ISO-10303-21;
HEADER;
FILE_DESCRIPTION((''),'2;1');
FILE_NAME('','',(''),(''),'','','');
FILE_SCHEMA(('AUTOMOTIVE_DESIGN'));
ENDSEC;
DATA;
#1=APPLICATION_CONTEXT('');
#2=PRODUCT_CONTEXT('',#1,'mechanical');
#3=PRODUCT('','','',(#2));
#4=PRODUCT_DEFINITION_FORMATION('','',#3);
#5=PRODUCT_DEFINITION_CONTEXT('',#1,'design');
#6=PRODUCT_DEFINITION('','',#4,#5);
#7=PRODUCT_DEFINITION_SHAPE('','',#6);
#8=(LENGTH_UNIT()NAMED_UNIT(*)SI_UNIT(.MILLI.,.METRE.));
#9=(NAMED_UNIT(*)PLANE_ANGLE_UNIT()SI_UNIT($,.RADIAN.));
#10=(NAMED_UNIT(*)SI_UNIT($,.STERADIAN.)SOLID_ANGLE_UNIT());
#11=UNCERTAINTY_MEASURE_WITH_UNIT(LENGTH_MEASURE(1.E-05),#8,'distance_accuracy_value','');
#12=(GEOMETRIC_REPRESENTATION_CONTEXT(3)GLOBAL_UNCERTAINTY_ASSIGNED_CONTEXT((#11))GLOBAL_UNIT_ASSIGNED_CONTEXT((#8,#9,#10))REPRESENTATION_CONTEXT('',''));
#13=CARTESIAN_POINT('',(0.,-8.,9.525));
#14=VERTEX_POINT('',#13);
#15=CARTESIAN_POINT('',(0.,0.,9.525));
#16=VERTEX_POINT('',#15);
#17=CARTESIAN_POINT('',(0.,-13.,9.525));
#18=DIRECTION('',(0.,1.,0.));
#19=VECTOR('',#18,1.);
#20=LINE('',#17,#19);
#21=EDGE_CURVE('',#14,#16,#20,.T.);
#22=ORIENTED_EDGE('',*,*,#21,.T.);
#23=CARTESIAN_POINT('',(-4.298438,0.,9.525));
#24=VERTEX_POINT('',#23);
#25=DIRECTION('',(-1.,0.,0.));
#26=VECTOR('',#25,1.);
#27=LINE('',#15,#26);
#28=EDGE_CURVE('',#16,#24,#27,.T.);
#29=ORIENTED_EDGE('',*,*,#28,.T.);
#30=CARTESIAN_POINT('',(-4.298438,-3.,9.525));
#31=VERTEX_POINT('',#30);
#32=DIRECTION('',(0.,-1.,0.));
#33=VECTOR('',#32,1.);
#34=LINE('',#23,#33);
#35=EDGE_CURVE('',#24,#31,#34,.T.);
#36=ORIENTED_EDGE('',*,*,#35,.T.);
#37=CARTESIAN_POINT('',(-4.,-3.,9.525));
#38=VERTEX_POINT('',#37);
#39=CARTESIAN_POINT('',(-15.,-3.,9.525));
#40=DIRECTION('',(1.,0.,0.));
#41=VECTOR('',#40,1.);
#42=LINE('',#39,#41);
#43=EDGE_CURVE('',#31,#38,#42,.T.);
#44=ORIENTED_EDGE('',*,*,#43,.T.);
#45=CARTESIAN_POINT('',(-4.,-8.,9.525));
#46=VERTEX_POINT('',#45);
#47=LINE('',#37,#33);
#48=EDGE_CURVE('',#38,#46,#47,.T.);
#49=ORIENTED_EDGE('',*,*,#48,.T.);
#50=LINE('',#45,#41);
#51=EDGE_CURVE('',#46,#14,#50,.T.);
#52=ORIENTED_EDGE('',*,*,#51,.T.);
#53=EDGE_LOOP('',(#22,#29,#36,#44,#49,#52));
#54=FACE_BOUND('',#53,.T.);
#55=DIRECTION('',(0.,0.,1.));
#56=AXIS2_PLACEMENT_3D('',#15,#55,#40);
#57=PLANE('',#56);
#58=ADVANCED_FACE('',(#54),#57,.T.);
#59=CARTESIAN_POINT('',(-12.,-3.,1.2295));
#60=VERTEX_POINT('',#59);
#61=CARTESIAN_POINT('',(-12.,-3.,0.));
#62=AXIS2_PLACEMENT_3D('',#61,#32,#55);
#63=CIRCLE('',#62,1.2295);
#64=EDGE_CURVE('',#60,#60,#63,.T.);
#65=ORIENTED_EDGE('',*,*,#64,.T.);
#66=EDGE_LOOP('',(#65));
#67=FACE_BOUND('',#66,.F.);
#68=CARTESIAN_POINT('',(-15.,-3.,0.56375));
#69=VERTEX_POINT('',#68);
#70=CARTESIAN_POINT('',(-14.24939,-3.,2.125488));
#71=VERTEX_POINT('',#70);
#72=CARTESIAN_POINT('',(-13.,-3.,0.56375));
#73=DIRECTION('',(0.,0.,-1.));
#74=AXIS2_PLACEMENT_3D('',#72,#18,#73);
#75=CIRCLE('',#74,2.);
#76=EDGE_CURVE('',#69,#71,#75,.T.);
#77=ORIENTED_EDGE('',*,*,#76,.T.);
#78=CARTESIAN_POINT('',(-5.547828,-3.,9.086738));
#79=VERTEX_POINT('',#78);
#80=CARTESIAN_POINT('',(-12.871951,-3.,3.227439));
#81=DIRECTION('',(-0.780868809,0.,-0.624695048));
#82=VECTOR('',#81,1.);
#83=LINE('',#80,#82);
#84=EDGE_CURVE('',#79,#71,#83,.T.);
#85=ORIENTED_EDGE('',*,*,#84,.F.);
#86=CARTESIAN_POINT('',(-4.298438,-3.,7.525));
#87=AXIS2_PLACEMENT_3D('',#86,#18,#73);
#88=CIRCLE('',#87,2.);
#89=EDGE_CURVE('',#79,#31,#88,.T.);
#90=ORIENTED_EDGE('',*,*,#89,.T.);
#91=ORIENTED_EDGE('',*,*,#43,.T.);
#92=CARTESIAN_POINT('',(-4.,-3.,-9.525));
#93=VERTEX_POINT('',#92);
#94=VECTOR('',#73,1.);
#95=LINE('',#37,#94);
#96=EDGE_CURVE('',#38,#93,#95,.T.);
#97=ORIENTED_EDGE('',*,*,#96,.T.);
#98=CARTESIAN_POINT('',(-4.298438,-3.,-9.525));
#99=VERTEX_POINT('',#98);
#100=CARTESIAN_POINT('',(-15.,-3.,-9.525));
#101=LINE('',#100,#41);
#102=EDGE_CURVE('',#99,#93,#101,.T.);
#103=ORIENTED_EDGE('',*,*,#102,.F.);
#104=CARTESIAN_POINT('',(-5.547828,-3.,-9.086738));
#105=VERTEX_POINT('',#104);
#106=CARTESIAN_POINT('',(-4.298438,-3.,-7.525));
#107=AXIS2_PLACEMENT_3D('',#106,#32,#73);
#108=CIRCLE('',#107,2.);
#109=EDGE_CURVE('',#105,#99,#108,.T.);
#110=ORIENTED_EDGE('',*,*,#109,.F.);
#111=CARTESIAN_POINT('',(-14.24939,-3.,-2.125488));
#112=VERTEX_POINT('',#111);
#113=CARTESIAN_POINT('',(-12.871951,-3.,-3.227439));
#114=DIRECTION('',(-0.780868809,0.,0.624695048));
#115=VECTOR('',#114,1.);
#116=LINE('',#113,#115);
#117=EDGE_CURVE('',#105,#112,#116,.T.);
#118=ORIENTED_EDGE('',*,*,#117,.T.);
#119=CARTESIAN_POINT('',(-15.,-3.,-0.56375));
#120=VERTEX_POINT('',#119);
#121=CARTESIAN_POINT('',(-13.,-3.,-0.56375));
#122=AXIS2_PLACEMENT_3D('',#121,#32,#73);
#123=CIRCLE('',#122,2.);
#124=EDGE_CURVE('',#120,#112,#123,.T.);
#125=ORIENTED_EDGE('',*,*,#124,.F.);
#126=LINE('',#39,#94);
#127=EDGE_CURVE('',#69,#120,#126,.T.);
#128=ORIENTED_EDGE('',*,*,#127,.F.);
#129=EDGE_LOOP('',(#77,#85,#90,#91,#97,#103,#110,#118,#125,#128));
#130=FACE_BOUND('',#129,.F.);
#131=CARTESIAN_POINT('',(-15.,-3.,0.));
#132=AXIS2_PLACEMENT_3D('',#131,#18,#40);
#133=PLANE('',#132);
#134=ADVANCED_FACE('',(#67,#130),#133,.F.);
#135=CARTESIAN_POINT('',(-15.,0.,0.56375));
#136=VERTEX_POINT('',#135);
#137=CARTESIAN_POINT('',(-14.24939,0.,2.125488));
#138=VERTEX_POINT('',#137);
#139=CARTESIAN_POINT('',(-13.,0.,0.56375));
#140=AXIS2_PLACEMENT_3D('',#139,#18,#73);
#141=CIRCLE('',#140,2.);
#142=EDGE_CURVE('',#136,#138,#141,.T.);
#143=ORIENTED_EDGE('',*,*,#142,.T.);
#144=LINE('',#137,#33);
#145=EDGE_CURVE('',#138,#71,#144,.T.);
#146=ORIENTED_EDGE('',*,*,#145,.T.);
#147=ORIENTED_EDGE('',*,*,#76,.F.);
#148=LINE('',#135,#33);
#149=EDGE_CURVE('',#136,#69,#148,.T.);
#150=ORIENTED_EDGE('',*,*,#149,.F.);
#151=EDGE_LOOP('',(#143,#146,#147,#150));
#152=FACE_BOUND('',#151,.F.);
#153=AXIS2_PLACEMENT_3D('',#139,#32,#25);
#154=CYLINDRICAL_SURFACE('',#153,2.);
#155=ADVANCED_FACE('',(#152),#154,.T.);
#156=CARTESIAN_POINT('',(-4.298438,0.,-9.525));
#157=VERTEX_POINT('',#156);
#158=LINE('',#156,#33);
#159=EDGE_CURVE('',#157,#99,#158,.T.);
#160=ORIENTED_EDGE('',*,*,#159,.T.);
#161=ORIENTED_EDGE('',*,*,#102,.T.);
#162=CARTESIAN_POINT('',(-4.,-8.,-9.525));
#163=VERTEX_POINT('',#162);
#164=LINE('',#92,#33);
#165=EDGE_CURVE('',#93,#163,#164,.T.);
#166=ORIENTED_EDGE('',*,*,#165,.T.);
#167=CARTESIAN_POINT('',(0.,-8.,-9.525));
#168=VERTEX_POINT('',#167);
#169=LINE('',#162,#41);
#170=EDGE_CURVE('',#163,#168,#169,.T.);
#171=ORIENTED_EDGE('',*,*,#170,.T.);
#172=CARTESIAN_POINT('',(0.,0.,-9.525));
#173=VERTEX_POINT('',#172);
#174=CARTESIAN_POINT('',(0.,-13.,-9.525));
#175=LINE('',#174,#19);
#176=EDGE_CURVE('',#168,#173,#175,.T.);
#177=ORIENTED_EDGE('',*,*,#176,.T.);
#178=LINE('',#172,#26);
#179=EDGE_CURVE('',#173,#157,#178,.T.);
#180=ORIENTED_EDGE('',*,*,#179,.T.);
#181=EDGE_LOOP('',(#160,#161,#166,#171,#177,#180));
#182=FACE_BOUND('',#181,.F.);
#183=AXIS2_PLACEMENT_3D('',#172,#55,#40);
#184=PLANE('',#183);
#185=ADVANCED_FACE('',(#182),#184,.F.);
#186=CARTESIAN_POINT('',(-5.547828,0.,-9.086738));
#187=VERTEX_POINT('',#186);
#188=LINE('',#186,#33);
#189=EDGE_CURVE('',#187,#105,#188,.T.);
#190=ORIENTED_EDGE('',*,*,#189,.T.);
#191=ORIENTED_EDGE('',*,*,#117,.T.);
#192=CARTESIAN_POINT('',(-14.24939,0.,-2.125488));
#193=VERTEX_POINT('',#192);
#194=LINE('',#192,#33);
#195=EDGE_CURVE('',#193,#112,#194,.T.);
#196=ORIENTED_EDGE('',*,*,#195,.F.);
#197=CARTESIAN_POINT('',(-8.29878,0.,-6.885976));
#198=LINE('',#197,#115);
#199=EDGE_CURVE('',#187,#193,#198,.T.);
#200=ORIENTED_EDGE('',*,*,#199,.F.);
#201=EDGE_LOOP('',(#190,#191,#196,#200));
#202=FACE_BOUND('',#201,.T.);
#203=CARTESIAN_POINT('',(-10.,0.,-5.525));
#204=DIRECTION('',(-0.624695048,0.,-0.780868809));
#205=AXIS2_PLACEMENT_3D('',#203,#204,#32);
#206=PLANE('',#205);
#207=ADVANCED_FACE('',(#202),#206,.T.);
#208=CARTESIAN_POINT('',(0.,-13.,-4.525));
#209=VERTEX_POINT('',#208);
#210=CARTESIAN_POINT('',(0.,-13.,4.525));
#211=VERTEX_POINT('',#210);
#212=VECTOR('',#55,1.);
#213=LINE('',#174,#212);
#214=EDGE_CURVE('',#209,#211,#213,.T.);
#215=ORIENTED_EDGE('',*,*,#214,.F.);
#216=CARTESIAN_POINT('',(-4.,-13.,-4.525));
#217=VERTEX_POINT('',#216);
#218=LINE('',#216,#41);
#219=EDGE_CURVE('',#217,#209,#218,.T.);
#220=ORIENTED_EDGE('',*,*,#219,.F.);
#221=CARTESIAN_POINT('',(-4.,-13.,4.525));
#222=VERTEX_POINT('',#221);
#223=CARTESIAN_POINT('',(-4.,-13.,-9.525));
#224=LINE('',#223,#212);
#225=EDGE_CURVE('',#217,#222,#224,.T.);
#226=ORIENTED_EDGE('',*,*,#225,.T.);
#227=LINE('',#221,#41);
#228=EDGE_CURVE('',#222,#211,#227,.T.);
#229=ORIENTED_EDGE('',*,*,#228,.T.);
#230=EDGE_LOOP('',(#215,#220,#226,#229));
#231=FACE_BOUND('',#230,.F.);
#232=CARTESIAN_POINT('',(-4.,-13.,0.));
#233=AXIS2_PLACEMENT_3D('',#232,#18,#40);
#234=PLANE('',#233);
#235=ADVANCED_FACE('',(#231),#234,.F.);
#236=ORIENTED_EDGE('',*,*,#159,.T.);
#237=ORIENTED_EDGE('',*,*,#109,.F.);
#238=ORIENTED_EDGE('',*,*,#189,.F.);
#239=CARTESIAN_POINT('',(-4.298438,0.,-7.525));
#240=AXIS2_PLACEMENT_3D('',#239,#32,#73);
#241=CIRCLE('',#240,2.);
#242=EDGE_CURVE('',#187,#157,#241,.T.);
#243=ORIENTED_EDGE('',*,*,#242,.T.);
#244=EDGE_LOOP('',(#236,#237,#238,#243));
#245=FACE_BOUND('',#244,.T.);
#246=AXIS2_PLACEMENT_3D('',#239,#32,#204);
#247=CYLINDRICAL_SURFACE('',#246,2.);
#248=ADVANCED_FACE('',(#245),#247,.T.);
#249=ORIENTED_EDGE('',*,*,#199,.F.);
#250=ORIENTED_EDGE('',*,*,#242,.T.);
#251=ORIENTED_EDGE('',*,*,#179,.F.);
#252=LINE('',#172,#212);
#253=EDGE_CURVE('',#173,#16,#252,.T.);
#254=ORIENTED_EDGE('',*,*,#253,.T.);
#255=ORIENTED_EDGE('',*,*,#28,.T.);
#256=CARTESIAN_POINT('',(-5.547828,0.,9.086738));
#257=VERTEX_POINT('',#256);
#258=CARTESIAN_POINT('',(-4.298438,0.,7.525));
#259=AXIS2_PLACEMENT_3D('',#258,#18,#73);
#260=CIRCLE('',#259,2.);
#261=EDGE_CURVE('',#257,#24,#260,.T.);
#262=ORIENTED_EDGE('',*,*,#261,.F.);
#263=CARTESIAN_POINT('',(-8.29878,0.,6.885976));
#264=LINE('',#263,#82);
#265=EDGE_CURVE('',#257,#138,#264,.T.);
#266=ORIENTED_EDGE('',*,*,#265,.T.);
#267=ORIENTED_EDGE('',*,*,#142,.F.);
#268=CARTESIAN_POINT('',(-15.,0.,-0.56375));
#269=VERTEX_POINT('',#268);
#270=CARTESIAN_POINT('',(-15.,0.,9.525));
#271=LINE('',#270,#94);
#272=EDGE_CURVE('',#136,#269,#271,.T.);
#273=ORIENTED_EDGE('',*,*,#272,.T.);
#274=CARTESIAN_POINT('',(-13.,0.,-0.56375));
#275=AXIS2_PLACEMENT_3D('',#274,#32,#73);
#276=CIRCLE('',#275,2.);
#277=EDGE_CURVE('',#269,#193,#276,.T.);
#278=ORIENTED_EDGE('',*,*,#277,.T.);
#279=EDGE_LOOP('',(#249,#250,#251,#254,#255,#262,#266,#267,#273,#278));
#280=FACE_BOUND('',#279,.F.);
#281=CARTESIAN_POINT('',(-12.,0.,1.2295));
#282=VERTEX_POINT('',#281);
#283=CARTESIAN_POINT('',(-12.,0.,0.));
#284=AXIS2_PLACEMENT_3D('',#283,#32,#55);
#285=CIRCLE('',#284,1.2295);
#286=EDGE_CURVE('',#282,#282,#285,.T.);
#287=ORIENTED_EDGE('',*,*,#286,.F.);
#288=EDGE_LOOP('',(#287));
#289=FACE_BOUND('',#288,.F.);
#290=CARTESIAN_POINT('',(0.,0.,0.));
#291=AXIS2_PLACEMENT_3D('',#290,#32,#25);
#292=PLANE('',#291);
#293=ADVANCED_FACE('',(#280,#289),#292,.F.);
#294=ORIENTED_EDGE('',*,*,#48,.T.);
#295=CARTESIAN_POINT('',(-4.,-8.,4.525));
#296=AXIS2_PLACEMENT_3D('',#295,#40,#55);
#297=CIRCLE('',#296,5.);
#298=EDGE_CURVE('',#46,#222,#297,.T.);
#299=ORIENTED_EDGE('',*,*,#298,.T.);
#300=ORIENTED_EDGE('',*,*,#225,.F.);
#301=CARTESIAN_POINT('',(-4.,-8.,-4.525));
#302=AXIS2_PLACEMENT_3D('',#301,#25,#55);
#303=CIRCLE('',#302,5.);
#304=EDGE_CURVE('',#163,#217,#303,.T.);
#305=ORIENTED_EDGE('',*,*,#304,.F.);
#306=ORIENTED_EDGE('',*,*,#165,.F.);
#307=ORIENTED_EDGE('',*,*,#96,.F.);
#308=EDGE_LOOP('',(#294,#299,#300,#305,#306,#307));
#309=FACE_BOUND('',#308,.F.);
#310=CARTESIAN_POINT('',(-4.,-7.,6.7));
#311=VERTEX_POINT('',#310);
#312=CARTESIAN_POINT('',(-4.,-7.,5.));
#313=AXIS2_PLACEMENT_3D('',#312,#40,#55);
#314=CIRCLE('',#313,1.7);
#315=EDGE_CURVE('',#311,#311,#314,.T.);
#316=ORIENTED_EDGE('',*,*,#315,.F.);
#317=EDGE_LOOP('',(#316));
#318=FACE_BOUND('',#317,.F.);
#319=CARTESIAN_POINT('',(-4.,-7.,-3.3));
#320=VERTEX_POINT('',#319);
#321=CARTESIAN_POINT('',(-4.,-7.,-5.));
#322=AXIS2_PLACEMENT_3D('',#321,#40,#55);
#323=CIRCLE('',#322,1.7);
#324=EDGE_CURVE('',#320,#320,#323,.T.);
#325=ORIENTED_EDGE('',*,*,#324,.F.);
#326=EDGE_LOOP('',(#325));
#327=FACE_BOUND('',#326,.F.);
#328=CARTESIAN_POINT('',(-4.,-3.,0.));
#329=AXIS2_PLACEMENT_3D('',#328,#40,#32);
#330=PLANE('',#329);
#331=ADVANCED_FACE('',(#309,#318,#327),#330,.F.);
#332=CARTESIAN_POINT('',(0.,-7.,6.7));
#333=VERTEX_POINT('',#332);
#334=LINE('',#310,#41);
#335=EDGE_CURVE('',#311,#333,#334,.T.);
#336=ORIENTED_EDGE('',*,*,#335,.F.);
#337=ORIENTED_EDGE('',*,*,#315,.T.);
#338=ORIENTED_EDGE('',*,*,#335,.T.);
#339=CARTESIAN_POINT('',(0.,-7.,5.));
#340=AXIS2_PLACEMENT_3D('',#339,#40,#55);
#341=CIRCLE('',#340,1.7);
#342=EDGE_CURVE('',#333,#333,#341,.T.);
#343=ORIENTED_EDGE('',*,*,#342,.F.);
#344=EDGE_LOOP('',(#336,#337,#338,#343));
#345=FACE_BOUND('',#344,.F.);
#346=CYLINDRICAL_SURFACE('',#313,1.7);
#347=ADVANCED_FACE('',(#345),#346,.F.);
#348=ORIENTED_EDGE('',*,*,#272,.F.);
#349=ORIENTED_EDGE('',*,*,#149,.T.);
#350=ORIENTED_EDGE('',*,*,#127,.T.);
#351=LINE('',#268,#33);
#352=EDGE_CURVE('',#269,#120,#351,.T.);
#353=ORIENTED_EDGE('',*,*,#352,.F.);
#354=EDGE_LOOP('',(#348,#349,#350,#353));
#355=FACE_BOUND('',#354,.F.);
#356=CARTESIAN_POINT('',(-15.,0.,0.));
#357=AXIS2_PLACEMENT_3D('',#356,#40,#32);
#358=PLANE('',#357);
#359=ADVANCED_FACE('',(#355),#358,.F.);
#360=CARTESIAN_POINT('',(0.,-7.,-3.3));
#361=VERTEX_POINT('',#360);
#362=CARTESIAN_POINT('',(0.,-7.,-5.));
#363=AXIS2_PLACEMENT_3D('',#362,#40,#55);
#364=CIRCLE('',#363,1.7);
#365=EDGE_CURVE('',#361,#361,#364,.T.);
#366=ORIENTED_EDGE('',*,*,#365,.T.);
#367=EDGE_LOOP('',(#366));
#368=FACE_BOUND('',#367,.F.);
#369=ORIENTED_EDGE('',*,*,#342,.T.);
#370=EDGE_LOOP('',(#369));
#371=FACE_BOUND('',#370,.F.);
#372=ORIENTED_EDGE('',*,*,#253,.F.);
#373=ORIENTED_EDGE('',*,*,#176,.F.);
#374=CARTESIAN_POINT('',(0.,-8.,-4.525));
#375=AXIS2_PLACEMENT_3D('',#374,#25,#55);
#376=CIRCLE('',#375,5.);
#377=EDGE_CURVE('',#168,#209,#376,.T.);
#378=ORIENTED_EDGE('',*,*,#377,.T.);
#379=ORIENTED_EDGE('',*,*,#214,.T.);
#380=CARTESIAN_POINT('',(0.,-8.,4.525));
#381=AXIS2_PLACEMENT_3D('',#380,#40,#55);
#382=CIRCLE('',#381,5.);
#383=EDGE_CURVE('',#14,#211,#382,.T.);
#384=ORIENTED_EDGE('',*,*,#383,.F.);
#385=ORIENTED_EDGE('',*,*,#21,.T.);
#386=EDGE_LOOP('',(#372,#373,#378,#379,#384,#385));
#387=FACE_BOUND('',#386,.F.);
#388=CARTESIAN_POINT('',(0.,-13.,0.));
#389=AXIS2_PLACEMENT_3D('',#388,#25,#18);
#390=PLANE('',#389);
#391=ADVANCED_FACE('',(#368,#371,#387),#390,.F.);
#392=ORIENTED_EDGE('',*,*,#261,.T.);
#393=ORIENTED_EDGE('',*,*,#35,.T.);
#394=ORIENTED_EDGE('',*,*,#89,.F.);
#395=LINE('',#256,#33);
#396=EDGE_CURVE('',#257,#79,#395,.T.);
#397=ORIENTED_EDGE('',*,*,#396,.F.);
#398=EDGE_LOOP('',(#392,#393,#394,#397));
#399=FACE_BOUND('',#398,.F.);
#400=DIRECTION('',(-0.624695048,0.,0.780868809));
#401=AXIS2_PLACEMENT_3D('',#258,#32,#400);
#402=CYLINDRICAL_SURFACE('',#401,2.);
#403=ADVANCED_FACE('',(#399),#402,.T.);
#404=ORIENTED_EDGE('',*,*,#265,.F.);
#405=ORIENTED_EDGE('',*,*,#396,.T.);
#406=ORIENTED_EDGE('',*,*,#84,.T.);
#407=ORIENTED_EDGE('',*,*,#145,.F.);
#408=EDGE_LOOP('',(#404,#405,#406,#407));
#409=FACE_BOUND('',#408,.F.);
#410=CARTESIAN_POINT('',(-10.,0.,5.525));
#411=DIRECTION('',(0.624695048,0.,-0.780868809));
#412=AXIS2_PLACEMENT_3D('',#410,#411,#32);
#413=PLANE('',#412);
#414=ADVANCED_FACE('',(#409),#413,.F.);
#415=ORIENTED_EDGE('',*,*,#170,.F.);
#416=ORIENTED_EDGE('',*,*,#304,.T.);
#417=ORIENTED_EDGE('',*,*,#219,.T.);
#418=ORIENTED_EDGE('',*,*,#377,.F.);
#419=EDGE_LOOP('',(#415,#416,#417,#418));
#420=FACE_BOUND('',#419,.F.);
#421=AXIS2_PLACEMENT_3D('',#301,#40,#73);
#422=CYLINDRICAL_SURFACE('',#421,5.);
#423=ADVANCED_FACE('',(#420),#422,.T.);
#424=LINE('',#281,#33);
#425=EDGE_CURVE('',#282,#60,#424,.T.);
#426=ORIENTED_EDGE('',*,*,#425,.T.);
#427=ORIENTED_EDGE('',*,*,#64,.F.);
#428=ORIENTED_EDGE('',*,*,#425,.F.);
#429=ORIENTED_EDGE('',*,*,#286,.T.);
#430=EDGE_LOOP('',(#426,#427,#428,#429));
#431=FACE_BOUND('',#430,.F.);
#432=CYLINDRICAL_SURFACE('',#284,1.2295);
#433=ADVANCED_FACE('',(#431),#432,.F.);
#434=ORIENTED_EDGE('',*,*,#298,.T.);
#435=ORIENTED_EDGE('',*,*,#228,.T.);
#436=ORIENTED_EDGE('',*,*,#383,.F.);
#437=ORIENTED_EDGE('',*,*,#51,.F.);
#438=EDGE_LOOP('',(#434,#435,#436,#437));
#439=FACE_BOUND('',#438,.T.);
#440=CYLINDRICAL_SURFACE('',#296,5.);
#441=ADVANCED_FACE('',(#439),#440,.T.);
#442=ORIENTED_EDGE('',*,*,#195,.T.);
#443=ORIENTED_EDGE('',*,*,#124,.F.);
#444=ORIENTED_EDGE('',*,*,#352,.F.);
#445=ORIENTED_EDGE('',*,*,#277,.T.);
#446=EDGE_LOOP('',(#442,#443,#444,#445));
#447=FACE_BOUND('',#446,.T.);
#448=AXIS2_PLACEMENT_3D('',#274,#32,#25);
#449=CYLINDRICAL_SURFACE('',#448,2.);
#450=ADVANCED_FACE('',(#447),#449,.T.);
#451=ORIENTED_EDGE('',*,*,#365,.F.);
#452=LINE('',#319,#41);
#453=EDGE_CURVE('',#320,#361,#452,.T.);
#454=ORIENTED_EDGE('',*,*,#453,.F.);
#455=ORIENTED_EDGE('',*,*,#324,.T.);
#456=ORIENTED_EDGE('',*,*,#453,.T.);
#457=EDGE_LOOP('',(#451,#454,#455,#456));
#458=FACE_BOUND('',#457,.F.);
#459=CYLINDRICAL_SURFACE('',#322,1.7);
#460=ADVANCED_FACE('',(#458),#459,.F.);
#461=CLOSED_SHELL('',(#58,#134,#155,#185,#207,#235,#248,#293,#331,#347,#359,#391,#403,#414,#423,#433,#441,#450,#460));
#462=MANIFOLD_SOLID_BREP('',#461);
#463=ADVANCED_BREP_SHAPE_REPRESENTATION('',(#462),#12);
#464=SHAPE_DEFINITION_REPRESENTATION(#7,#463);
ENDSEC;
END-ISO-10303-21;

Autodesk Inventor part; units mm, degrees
ref_plane "YZ Plane" through (0, 0, 0) normal (1, 0, 0) x (0, 1, 0)
ref_plane "XZ Plane" through (0, 0, 0) normal (0, 1, 0) x (-1, 0, 0)
ref_plane "XY Plane" through (0, 0, 0) normal (0, 0, 1) x (1, 0, 0)
sketch "Sketch1" plane through (0, 0, 0) normal (0, 0, 1) x (1, 0, 0)
  line L0 (-4, -13) -> (0, -13)
  line L1 (0, -13) -> (0, 0)
  line L2 (0, 0) -> (-15, 0)
  line L3 (-15, 0) -> (-15, -3)
  line L4 (-15, -3) -> (-4, -3)
  line L5 (-4, -3) -> (-4, -13)
  dimension "d0" = 3
  dimension "d1" = 4
  dimension "d2" = 10
  dimension "d3" = 15
extrude "Extrusion1" add sketch "Sketch1" along normal mid plane 19.05
sketch "Sketch2" plane through (-4, -13, 9.525) normal (-1, 0, 0) x (0, 0, 1)
  line L0 (-19.05, 0) -> (0, 0) projected
  line L1 (0, 10) -> (0, 0) projected
  line L2 (-19.05, 10) -> (0, 10) projected
  line L3 (-19.05, 0) -> (-19.05, 10) projected
  line L4 (-19.05, 0) -> (-19.05, 10) projected
  line L5 (-19.05, 13) -> (0, 13) projected
  line L6 (-19.05, 0) -> (0, 0) projected
  point P0 (-9.525, 13)
  point P1 (-14.525, 6)
  point P2 (-4.525, 6)
  point P3 (-19.05, 5)
  point P4 (-9.525, 13)
  point P5 (-9.525, 0)
  dimension "d6" = 10
  dimension "d31" = 7
  dimension "d32" = 5
hole "Hole1" at (-4, -7, -5) at (-4, -7, 5) direction (1, 0, 0) diameter 3.4 depth 8.7884 clearance for "Socket Head Cap Screw" size "M3" standard "Ansi Metric M Profile"
sketch "Sketch3" plane through (-15, 0, 9.525) normal (0, 1, 0) x (1, 0, 0)
  line L0 (15, 19.05) -> (15, 0) projected
  point P0 (15, 9.525)
  point P1 (3, 9.525)
  point P2 (15, 9.525)
  dimension "d15" = 12
hole "Hole2" at (-12, 0, 0) direction (0, -1, 0) diameter 2.459 depth 8.8 thread size "M3x0.5" class "6H" standard "ANSI Metric M Profile"
chamfer "Chamfer1" distance 10 distance2 8 1 edges at (-15, -1.5, 9.525) measured on face at (-1.3333, -5.3333, 9.525)
chamfer "Chamfer2" distance 10 distance2 8 1 edges at (-15, -1.5, -9.525) measured on face at (-1.3333, -5.3333, -9.525)
fillet "Fillet1" radius 2 4 edges at (-5, -1.5, -9.525) (-15, -1.5, -1.525) (-15, -1.5, 1.525) (-5, -1.5, 9.525)
fillet "Fillet1" radius 5 2 edges at (-2, -13, -9.525) (-2, -13, 9.525)
properties part number "X-Axis_Z_Endstop_Bracket_LM3047" material "ABS Plastic"
